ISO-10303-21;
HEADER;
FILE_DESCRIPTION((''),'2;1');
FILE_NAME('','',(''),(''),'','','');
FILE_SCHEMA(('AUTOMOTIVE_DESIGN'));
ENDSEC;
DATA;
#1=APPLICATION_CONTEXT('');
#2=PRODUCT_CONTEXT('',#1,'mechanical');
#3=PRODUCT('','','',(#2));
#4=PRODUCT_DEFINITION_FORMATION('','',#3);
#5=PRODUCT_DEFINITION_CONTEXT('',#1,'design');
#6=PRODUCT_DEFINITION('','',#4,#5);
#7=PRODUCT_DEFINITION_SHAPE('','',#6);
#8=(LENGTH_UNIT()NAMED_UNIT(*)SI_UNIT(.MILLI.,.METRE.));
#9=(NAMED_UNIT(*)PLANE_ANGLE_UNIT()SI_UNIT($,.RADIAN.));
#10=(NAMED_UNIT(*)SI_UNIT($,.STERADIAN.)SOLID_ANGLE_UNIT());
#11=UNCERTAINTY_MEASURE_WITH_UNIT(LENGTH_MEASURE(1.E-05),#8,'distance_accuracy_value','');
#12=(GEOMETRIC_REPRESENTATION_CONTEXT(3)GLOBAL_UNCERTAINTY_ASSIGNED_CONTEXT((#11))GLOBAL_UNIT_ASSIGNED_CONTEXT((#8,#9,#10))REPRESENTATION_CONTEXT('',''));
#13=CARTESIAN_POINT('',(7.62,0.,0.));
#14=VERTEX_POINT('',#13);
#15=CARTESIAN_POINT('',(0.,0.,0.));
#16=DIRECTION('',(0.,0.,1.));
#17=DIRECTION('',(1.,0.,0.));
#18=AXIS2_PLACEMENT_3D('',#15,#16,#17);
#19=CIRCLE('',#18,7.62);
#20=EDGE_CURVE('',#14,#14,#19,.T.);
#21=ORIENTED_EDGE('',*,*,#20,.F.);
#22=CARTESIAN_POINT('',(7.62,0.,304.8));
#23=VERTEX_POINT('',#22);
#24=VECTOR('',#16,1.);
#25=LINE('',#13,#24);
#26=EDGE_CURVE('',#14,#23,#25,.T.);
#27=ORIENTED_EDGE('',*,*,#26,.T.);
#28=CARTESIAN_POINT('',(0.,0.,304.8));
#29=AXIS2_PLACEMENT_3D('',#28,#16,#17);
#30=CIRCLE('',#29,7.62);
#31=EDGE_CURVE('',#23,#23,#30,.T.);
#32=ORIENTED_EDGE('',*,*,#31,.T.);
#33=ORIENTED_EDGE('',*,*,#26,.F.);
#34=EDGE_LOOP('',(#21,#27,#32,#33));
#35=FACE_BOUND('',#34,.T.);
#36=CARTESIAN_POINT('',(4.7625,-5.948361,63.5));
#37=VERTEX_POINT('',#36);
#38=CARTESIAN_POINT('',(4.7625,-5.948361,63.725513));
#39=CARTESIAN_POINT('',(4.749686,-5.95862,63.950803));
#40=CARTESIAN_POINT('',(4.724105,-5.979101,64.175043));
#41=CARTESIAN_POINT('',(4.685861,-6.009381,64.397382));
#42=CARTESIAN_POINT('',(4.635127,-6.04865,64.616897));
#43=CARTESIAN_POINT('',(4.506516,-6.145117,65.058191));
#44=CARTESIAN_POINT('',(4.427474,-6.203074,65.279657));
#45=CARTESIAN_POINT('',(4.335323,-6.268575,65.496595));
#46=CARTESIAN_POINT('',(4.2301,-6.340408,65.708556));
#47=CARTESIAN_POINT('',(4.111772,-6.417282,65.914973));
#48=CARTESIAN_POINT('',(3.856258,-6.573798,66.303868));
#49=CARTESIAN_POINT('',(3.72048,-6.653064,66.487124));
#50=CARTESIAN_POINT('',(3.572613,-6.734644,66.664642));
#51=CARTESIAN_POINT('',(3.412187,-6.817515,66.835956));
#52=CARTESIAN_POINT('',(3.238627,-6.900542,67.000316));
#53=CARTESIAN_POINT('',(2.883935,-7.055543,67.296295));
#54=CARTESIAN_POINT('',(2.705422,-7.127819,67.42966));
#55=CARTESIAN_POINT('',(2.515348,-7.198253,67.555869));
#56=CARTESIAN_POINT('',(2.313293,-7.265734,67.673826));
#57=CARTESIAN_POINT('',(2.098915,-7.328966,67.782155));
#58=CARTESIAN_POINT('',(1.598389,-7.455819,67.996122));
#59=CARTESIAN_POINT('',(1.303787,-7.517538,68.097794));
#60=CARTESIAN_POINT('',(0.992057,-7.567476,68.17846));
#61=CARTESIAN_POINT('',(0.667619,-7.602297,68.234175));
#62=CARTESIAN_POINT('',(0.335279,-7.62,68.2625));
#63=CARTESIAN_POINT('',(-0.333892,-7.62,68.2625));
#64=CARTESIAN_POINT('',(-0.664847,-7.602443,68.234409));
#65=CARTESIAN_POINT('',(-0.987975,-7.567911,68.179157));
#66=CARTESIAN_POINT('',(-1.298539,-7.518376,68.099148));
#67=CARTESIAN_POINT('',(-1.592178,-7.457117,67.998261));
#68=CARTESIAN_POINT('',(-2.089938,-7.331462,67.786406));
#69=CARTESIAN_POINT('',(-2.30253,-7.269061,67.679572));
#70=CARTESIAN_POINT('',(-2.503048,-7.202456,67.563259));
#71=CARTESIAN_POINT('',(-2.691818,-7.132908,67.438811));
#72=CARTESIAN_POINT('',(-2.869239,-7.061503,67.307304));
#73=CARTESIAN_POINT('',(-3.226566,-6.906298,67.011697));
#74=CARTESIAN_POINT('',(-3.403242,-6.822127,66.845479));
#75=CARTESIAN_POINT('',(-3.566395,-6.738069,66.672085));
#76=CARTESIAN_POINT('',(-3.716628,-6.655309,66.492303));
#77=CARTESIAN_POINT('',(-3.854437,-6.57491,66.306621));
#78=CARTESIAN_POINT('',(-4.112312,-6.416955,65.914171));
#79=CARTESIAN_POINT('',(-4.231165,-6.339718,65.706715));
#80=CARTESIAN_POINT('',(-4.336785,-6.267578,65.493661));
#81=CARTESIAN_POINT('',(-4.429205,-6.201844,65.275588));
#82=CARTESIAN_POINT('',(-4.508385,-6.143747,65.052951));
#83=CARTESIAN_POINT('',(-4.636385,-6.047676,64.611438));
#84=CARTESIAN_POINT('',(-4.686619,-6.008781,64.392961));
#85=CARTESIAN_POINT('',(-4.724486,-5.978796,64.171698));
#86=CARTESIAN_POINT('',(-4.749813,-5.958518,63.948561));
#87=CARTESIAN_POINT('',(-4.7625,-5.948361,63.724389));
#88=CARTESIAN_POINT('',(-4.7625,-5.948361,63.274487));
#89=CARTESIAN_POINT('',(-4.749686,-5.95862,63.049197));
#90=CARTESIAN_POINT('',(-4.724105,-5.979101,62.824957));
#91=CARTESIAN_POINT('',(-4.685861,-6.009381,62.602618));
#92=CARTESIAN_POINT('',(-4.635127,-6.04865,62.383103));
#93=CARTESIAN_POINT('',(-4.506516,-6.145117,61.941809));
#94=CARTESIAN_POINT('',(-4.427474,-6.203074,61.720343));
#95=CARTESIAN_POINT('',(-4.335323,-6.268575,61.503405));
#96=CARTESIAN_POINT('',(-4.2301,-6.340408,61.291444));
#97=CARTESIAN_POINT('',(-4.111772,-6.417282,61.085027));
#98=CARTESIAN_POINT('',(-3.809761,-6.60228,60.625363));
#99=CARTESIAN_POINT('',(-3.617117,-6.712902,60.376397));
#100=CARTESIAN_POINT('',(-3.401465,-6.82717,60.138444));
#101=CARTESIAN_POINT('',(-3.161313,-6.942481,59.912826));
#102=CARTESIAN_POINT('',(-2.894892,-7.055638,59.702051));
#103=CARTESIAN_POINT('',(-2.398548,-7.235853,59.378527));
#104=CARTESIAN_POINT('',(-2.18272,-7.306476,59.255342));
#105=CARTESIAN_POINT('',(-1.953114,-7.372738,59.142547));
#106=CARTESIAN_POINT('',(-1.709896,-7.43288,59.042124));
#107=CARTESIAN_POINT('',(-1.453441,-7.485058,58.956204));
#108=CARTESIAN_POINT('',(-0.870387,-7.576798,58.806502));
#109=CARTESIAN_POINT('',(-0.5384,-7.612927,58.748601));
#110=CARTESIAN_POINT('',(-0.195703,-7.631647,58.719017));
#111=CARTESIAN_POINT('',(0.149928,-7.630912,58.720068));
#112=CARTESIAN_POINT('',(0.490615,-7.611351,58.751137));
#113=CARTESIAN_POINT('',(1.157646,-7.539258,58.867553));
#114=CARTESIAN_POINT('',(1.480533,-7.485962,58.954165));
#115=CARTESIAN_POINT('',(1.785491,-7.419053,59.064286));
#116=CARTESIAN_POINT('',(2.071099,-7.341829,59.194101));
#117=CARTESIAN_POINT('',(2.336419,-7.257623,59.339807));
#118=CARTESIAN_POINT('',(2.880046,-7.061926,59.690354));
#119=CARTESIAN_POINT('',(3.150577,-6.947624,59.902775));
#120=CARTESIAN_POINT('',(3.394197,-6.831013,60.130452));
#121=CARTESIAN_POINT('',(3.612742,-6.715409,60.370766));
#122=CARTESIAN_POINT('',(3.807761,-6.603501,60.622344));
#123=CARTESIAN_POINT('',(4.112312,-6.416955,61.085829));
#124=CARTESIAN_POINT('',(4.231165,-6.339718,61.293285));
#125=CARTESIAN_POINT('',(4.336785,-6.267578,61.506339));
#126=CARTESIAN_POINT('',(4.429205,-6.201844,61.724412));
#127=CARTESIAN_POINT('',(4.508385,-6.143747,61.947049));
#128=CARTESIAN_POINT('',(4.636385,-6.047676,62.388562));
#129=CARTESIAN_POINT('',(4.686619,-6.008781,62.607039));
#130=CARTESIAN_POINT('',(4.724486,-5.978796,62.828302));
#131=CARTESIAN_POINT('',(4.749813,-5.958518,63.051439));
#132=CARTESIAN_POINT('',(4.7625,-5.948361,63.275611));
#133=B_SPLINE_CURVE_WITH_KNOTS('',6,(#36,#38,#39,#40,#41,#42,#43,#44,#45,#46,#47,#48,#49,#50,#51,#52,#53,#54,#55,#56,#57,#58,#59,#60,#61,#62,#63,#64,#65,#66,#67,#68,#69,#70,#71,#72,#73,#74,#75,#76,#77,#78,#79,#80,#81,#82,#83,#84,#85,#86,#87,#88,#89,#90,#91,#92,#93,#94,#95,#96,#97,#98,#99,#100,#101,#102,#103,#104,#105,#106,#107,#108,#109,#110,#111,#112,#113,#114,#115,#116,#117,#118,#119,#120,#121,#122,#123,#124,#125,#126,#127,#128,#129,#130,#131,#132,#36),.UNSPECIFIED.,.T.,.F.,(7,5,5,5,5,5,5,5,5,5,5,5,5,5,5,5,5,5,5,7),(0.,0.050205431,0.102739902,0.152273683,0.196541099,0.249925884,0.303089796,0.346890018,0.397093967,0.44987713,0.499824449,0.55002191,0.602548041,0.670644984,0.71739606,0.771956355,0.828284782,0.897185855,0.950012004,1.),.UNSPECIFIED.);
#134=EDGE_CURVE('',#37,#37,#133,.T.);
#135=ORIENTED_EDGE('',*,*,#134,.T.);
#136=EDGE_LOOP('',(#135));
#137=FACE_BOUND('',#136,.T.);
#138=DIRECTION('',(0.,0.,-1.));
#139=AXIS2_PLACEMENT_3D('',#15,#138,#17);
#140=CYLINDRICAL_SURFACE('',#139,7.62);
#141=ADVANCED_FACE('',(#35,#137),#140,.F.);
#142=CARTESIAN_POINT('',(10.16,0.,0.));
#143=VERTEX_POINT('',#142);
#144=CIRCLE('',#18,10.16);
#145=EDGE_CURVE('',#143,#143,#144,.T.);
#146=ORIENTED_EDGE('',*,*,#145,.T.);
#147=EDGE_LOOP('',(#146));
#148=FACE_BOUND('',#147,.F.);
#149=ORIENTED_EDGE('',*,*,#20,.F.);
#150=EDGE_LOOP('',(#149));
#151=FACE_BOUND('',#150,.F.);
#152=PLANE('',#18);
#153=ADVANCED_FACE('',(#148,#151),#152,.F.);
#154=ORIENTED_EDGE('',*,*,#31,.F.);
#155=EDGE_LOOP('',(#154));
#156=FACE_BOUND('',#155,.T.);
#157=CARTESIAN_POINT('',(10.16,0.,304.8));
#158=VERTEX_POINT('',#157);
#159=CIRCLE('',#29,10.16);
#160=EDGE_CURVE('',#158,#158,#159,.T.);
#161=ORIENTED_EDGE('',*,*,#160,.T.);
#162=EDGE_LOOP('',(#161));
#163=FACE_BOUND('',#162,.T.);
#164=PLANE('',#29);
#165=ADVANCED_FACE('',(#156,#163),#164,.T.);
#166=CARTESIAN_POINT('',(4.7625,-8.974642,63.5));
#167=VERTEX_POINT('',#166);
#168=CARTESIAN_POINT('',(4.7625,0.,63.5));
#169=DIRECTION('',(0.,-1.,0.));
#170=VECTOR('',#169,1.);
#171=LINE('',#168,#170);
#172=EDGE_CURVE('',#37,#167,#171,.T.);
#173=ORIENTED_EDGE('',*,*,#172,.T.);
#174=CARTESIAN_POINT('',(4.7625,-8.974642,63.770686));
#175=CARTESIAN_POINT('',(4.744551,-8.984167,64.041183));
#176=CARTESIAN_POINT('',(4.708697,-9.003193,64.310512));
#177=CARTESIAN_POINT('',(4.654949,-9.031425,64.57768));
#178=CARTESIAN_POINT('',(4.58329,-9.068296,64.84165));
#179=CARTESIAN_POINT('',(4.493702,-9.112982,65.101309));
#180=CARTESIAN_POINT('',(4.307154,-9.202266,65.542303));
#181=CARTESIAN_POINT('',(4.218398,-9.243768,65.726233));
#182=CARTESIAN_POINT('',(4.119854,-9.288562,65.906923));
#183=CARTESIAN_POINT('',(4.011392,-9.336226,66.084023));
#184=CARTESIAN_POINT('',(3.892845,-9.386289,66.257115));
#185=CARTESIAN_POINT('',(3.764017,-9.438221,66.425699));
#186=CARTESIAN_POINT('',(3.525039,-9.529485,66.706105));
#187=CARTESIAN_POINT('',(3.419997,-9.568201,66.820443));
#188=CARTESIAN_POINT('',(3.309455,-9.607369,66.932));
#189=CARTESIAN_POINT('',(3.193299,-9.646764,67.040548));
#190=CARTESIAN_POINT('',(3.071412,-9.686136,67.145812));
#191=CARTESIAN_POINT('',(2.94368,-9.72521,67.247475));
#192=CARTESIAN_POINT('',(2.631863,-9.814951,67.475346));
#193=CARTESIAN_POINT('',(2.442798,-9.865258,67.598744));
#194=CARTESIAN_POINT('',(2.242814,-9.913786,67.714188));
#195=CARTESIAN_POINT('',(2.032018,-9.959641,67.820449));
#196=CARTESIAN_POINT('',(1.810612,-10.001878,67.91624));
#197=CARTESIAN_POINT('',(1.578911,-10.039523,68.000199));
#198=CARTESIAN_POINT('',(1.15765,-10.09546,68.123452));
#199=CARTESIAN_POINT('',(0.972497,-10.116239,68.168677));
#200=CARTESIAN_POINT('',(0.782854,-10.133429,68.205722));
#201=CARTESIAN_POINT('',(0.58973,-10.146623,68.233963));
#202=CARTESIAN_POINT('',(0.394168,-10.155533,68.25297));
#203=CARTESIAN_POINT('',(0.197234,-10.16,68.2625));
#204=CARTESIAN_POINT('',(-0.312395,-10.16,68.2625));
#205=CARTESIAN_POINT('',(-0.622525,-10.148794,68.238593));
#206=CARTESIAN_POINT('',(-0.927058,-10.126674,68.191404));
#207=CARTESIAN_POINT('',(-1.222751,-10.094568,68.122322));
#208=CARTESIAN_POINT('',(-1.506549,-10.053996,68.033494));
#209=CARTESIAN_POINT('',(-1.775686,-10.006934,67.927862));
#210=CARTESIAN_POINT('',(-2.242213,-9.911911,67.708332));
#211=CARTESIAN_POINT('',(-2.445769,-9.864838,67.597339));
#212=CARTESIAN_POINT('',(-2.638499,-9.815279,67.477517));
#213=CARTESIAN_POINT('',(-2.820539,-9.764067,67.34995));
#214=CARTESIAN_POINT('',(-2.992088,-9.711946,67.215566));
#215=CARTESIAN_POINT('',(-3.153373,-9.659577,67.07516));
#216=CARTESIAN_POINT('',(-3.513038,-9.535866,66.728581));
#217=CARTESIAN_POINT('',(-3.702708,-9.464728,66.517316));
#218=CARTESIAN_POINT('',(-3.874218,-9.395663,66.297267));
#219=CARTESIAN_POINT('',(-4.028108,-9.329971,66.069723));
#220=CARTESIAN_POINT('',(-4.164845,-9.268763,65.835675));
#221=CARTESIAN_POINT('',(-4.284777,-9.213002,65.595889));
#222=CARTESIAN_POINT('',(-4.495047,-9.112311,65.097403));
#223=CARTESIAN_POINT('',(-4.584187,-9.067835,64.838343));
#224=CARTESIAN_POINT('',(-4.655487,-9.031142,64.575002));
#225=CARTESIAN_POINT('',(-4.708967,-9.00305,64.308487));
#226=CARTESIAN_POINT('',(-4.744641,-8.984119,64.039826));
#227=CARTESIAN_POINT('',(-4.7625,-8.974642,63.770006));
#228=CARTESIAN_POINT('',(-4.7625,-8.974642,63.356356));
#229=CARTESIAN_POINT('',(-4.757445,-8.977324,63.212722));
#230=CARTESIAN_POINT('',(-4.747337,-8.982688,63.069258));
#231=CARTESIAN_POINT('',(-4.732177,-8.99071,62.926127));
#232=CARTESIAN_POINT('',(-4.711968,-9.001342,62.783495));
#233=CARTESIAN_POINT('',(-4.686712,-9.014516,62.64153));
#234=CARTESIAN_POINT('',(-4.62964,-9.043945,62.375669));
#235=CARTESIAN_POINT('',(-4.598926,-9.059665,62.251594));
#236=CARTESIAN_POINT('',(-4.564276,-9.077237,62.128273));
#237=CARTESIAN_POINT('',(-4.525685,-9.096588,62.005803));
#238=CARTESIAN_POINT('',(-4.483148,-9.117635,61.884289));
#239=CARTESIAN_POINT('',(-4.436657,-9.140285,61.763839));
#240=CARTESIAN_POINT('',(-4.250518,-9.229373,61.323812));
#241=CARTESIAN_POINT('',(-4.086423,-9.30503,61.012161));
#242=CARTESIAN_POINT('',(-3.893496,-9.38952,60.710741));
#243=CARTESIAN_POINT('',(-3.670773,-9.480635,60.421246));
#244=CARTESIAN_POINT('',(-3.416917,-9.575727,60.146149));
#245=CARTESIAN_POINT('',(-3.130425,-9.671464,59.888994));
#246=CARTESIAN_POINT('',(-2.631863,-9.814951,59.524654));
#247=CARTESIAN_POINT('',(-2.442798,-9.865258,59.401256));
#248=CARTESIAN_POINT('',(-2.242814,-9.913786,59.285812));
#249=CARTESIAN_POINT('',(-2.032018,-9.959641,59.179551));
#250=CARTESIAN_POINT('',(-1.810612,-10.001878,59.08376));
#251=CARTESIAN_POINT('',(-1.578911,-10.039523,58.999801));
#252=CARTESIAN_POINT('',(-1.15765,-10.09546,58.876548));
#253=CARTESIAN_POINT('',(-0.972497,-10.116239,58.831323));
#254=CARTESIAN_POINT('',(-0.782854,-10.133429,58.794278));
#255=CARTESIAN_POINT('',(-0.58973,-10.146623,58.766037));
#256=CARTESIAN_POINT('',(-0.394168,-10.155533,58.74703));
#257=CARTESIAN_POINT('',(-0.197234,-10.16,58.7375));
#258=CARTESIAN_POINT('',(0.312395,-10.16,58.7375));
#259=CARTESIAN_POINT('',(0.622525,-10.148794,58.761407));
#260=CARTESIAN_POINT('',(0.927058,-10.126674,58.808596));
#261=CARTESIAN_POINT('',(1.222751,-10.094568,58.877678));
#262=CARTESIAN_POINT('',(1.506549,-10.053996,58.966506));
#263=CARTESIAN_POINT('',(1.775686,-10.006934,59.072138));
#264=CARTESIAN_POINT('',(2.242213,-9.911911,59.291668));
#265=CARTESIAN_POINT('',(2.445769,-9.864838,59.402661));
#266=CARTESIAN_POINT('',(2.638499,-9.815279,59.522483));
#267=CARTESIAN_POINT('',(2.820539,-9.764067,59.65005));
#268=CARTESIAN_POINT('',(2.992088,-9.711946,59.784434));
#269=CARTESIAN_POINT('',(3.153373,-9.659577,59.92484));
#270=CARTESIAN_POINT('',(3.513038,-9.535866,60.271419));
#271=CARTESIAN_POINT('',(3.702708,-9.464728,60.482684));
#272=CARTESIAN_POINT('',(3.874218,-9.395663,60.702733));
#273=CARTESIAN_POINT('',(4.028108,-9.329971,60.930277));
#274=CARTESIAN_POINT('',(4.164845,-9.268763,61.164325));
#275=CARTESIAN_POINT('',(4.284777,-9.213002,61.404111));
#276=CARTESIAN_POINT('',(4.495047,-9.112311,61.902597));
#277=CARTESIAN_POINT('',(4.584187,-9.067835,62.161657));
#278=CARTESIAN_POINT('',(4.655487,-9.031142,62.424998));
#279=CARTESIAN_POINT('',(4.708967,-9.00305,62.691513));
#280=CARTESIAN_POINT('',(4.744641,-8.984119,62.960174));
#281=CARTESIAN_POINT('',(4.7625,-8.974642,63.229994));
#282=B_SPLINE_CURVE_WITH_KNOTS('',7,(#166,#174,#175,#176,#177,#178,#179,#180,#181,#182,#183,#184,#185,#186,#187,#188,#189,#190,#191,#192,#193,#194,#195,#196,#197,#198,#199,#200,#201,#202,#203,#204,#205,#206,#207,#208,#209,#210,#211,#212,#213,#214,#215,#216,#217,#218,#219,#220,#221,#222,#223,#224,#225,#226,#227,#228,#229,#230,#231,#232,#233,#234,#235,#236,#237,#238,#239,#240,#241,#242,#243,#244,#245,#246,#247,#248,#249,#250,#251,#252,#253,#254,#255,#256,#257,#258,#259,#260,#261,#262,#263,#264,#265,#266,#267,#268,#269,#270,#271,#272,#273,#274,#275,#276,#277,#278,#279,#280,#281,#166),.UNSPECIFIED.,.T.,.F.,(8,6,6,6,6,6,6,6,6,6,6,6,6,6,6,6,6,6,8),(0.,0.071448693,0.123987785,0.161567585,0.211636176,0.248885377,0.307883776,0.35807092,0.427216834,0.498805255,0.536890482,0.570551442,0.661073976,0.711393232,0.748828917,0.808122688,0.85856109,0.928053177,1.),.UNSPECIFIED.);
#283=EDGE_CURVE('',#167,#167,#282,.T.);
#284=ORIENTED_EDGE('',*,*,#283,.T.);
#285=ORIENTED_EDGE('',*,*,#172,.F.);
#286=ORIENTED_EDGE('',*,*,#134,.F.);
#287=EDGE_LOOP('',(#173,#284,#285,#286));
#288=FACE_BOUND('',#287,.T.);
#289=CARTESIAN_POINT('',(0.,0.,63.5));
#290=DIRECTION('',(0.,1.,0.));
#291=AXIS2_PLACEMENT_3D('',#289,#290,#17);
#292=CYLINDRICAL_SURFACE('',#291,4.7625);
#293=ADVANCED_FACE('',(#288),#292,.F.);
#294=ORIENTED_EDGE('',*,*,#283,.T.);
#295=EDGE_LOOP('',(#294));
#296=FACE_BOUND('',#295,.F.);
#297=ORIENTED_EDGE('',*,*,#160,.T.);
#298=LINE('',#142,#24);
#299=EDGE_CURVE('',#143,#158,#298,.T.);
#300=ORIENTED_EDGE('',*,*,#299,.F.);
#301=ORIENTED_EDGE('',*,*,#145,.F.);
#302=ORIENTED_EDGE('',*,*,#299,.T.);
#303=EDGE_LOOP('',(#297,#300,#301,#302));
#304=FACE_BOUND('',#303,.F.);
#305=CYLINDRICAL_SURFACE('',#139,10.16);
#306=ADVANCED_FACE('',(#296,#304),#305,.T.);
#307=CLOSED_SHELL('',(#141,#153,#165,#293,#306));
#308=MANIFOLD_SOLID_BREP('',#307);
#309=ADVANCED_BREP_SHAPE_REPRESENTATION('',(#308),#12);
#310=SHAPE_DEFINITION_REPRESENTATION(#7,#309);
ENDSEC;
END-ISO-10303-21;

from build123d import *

# Parameters (mm, degrees)
F0_R     = 10.16
F0_R_2   = 7.62
F1_DEPTH = 304.8
F2_R     = 4.7625
F3_DEPTH = 10.161


with BuildPart() as f1:
    # F0 (on Top) → F1 (new body)
    with BuildSketch(Plane.XY):
        Circle(F0_R)
        Circle(F0_R_2, mode=Mode.SUBTRACT)
    extrude(amount=F1_DEPTH)

    # F2 (on Front) → F3 (cut, through all)
    with BuildSketch(Plane.XZ):
        with Locations((0, 63.5)):
            Circle(F2_R)
    extrude(amount=F3_DEPTH, mode=Mode.SUBTRACT)


solid = f1.part
